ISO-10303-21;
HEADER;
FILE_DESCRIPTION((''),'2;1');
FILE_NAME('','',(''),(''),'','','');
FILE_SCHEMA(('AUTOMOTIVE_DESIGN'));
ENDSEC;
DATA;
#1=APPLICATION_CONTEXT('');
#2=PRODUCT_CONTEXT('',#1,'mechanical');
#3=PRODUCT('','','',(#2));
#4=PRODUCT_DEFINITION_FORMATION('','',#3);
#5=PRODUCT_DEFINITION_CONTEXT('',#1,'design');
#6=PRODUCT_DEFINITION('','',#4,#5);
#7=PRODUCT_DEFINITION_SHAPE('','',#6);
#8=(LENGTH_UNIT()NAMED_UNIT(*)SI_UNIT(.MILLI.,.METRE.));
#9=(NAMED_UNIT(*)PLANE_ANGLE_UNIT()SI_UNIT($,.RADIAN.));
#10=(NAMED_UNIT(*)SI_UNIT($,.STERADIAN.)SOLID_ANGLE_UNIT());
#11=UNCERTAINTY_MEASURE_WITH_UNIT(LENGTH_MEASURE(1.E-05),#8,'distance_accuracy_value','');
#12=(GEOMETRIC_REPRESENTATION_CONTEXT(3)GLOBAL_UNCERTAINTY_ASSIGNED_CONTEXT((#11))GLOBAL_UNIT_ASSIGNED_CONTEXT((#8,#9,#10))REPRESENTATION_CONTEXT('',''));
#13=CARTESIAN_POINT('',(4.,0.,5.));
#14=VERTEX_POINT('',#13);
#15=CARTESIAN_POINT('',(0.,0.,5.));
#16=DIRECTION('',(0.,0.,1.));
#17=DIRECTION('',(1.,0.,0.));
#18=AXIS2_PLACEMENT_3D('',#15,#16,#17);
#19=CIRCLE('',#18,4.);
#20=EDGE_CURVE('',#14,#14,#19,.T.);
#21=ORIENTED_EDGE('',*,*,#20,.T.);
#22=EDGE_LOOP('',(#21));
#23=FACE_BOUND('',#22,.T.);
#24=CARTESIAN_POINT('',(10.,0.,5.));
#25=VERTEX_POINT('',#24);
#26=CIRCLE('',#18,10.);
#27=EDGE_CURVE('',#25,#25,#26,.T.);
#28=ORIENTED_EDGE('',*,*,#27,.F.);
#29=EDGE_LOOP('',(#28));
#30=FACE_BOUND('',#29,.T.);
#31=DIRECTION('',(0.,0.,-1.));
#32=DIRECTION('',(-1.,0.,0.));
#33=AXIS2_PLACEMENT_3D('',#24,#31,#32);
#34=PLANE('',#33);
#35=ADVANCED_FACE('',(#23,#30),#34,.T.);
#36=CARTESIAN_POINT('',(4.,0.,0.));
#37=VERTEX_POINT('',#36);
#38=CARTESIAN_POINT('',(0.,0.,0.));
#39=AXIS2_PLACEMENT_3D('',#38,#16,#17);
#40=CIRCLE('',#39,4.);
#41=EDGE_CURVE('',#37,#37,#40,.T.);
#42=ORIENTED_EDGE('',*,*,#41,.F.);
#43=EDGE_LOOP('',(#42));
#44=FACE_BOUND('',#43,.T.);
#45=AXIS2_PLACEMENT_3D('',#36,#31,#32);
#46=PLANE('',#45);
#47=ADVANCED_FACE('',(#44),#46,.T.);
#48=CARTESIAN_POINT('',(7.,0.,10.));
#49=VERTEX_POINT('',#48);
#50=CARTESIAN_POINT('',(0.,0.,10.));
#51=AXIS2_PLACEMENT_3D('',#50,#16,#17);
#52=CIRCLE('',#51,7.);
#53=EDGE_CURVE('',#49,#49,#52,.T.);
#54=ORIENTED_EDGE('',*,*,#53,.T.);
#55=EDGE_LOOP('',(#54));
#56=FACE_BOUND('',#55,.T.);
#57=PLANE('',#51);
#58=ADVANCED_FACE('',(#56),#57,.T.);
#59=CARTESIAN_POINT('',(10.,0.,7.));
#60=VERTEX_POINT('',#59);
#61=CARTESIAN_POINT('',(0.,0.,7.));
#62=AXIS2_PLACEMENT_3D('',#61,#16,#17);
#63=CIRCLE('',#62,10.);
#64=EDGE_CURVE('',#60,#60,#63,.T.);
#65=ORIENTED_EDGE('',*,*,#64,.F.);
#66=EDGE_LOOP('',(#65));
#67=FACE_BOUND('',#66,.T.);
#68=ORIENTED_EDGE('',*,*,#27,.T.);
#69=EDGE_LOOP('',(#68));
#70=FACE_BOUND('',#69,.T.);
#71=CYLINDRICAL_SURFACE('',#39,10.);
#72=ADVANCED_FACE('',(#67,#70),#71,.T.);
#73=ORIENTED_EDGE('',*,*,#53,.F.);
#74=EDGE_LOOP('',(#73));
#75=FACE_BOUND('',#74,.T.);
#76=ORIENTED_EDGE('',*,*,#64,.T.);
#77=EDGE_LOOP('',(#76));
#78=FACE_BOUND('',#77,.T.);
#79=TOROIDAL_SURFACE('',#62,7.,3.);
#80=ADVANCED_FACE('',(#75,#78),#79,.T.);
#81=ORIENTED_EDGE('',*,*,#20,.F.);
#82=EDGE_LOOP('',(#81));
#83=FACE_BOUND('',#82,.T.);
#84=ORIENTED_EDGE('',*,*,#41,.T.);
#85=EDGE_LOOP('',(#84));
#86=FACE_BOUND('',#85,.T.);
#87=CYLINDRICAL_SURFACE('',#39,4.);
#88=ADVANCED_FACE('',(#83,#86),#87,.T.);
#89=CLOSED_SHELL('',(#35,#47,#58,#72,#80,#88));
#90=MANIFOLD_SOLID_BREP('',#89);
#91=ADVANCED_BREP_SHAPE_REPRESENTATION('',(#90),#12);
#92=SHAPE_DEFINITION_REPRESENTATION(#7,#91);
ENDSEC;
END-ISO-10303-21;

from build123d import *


with BuildPart() as part:
    # Sketch1 → Revolve1 (revolve)
    with BuildSketch(Plane(origin=(0, 0, 0), x_dir=(1, 0, 0), z_dir=(0, 1, 0))):
        with BuildLine():
            Line((4, 0), (0, 0))
            Line((0, 0), (0, -10))
            Line((0, -10), (7, -10))
            ThreePointArc((7, -10), (9.121320344, -9.121320344), (10, -7))
            Line((10, -7), (10, -5))
            Line((10, -5), (4, -5))
            Line((4, -5), (4, 0))
        make_face()
    revolve(axis=Axis((0, 0, 0), (0, 0, 1)))


solid = part.part
